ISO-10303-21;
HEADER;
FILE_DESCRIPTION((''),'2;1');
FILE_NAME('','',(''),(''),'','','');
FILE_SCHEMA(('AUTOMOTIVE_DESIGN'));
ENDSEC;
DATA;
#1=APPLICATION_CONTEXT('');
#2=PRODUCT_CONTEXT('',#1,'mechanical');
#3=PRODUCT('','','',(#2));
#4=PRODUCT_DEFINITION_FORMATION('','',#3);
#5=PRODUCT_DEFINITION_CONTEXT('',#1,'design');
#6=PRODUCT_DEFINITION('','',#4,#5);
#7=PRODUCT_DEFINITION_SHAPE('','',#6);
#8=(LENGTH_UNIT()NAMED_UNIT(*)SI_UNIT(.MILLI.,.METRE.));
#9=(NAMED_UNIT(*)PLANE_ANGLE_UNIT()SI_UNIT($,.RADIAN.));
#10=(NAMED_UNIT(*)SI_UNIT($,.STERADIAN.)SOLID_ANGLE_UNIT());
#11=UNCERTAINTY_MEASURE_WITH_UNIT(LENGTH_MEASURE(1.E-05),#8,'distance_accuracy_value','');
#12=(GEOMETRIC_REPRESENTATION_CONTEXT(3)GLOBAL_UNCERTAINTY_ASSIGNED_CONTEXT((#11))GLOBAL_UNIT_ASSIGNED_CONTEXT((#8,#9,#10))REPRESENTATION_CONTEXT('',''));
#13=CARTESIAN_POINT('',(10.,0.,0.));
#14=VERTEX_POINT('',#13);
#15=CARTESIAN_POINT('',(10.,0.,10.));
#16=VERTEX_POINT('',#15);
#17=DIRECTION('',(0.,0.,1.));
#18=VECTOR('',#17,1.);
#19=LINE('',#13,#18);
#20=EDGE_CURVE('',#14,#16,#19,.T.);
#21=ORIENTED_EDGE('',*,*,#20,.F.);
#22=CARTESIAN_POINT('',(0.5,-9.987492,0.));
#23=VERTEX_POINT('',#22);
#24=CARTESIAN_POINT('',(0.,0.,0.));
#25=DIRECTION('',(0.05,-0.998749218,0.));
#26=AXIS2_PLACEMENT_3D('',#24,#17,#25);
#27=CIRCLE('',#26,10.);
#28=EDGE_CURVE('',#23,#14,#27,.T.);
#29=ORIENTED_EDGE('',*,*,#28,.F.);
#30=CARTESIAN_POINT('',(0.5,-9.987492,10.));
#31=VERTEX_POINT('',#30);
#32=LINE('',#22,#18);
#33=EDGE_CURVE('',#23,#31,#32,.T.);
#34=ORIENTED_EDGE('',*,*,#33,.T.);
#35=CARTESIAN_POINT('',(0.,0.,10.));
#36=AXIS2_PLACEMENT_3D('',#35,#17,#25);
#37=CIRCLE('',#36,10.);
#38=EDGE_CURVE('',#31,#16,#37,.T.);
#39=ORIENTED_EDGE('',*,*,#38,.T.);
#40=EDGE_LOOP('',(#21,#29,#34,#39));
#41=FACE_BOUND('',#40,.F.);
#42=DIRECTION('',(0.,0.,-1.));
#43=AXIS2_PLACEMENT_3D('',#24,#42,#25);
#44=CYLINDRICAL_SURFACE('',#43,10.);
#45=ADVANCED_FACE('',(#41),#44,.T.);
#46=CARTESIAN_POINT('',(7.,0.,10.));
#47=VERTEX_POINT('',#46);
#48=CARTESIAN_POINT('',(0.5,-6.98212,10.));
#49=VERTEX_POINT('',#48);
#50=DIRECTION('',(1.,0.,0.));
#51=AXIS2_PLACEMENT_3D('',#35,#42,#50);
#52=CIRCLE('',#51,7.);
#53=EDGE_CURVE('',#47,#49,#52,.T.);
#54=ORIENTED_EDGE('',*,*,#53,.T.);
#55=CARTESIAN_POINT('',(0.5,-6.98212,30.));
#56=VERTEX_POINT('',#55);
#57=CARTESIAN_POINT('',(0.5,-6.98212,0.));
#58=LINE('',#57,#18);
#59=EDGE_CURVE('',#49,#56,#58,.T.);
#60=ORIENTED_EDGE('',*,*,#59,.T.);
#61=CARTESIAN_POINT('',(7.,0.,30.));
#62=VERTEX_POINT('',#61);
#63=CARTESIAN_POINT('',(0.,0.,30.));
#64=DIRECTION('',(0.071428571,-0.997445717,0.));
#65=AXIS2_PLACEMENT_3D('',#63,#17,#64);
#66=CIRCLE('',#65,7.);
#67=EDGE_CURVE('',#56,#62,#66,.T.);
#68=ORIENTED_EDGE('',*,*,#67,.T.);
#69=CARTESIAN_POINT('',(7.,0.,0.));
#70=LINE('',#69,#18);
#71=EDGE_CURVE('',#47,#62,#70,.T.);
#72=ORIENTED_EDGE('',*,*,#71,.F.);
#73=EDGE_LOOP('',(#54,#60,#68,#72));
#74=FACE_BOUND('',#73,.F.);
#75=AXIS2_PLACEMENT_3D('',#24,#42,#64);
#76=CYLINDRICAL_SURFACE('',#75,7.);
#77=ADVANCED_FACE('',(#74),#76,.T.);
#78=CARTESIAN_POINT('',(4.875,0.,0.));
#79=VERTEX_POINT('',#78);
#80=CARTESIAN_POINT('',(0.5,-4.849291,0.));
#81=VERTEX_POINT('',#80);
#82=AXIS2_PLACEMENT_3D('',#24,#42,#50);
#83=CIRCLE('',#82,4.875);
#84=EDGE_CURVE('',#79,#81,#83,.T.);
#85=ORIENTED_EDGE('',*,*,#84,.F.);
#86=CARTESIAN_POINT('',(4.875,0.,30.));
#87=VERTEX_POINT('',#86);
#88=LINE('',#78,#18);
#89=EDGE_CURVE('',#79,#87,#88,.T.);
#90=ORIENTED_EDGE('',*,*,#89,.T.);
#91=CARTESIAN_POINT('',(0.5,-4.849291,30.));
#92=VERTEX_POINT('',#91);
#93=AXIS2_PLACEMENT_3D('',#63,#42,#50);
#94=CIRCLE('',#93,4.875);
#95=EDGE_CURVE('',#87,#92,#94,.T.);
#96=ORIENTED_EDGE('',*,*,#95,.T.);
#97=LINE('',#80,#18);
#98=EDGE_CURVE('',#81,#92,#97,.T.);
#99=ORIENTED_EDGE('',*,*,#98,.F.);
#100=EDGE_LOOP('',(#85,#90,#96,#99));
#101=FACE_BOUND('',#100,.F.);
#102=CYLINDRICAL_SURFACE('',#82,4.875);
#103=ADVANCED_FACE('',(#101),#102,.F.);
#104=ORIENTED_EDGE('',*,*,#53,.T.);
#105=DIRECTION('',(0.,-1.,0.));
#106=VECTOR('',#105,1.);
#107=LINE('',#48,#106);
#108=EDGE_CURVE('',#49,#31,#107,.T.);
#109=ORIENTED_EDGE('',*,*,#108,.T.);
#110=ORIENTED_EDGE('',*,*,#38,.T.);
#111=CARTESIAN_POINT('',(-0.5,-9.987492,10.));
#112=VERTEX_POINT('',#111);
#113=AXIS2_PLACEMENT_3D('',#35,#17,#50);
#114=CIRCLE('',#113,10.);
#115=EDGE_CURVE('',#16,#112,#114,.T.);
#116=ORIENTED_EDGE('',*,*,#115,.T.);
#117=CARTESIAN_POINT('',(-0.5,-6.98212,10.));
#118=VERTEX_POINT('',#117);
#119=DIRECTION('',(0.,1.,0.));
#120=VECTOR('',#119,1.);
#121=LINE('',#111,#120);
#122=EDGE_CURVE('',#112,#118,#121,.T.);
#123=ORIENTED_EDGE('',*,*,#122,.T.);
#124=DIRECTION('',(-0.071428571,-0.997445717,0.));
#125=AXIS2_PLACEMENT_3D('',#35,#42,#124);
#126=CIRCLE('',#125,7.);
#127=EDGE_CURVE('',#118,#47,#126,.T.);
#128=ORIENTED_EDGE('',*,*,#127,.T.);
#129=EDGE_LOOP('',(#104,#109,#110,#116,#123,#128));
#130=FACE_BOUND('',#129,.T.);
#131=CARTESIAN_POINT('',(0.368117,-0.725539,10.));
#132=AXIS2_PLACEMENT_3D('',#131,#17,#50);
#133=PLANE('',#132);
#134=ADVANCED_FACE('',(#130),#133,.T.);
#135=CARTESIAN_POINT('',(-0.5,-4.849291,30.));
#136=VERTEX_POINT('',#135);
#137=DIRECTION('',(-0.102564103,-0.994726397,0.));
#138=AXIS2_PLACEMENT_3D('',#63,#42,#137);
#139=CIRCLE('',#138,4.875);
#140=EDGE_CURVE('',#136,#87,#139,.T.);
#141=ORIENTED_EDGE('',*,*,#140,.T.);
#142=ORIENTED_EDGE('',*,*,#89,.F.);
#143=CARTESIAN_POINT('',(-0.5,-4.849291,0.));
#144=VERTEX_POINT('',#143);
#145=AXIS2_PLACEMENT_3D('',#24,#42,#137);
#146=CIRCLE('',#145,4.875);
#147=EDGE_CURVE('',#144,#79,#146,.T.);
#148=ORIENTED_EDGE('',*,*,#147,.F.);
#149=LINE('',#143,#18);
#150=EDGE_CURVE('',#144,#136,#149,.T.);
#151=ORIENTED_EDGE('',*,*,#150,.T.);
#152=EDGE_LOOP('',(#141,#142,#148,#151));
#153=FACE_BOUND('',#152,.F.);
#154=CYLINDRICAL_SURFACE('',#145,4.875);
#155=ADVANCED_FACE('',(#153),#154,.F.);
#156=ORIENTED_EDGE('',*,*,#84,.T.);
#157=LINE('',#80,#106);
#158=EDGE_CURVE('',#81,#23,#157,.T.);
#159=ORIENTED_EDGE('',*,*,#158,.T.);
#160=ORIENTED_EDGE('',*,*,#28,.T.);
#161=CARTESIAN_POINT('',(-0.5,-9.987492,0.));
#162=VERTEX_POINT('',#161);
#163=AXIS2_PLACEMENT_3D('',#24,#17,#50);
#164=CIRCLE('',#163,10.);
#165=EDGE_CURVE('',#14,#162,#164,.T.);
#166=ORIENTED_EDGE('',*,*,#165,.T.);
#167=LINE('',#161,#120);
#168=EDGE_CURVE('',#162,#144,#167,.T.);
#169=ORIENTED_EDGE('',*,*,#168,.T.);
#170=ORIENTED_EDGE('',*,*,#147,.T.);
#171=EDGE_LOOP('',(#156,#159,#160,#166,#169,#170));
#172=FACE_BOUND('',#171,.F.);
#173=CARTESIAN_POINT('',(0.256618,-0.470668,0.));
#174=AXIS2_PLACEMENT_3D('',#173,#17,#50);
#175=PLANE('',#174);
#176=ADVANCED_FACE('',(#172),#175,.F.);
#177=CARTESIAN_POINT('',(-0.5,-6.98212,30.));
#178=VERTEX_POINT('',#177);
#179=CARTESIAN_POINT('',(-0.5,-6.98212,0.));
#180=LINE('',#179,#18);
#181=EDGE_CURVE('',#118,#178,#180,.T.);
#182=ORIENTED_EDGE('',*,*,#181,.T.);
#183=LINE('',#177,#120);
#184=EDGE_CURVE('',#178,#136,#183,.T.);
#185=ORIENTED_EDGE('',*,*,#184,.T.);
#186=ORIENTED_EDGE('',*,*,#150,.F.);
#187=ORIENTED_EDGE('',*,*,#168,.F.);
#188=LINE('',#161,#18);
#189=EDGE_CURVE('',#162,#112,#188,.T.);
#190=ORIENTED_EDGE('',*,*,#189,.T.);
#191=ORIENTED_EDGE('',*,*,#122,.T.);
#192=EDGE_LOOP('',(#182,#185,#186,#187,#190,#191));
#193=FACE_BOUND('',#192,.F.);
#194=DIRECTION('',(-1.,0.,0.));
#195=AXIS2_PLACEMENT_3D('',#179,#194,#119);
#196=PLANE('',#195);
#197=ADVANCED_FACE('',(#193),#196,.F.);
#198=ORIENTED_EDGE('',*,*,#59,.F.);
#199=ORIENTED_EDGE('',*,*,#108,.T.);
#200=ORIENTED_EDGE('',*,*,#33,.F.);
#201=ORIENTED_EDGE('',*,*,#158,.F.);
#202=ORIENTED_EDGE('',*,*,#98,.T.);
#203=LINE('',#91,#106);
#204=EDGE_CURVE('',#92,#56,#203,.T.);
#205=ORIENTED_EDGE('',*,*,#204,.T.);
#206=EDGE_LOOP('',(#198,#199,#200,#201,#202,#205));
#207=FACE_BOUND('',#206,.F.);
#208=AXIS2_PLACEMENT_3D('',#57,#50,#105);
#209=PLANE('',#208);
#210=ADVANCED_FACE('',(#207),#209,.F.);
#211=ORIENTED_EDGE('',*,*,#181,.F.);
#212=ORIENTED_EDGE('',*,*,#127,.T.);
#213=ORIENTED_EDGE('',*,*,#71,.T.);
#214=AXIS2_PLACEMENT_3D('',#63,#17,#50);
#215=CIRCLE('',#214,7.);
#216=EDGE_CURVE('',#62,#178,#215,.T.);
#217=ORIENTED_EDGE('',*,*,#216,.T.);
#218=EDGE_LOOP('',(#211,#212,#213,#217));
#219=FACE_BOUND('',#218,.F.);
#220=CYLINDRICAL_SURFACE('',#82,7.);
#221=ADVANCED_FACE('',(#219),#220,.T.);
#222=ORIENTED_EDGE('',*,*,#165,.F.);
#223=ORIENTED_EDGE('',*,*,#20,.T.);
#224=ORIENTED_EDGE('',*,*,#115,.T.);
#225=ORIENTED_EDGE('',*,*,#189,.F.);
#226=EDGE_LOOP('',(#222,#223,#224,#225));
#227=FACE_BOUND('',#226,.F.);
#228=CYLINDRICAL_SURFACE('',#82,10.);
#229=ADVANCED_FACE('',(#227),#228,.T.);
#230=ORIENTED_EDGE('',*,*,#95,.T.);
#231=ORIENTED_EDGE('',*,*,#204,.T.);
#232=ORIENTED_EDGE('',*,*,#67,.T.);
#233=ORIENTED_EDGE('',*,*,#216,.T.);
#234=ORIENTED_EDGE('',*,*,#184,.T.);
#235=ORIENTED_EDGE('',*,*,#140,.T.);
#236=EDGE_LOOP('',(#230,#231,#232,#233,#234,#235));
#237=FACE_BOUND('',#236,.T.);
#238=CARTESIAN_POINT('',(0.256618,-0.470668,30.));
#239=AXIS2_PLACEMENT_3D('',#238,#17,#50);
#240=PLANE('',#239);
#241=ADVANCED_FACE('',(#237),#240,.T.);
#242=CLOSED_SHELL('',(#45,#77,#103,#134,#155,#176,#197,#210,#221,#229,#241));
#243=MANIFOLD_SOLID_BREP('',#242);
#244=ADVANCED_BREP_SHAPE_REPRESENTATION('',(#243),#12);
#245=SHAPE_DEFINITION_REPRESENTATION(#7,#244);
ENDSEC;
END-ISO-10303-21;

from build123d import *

# Parameters (mm, degrees)
F1_DEPTH = 10
F2_DEPTH = 30


with BuildPart() as f1:
    # F0 (on Top) → F1 (new body)
    with BuildSketch(Plane.XY):
        with BuildLine():
            ThreePointArc((0.5, -9.9874921777), (7.2456883731, -6.892024376), (10, 0))
            ThreePointArc((10, 0), (-6.892024376, 7.2456883731), (-0.5, -9.9874921777))
            Line((-0.5, -9.9874921777), (-0.5, -6.9821200219))
            ThreePointArc((-0.5, -6.9821200219), (-4.7696960071, 5.123475383), (7, 0))
            ThreePointArc((7, 0), (5.123475383, -4.7696960071), (0.5, -6.9821200219))
            Line((0.5, -6.9821200219), (0.5, -9.9874921777))
        make_face()
    extrude(amount=F1_DEPTH)

    # F0 (on Top) → F2 (join)
    with BuildSketch(Plane.XY):
        with BuildLine():
            ThreePointArc((7, 0), (-4.7696960071, 5.123475383), (-0.5, -6.9821200219))
            Line((-0.5, -6.9821200219), (-0.5, -4.8492911853))
            ThreePointArc((-0.5, -4.8492911853), (-3.2655876194, 3.6196080589), (4.875, 0))
            ThreePointArc((4.875, 0), (3.6196080589, -3.2655876194), (0.5, -4.8492911853))
            Line((0.5, -4.8492911853), (0.5, -6.9821200219))
            ThreePointArc((0.5, -6.9821200219), (5.123475383, -4.7696960071), (7, 0))
        make_face()
    extrude(amount=F2_DEPTH)


solid = f1.part
